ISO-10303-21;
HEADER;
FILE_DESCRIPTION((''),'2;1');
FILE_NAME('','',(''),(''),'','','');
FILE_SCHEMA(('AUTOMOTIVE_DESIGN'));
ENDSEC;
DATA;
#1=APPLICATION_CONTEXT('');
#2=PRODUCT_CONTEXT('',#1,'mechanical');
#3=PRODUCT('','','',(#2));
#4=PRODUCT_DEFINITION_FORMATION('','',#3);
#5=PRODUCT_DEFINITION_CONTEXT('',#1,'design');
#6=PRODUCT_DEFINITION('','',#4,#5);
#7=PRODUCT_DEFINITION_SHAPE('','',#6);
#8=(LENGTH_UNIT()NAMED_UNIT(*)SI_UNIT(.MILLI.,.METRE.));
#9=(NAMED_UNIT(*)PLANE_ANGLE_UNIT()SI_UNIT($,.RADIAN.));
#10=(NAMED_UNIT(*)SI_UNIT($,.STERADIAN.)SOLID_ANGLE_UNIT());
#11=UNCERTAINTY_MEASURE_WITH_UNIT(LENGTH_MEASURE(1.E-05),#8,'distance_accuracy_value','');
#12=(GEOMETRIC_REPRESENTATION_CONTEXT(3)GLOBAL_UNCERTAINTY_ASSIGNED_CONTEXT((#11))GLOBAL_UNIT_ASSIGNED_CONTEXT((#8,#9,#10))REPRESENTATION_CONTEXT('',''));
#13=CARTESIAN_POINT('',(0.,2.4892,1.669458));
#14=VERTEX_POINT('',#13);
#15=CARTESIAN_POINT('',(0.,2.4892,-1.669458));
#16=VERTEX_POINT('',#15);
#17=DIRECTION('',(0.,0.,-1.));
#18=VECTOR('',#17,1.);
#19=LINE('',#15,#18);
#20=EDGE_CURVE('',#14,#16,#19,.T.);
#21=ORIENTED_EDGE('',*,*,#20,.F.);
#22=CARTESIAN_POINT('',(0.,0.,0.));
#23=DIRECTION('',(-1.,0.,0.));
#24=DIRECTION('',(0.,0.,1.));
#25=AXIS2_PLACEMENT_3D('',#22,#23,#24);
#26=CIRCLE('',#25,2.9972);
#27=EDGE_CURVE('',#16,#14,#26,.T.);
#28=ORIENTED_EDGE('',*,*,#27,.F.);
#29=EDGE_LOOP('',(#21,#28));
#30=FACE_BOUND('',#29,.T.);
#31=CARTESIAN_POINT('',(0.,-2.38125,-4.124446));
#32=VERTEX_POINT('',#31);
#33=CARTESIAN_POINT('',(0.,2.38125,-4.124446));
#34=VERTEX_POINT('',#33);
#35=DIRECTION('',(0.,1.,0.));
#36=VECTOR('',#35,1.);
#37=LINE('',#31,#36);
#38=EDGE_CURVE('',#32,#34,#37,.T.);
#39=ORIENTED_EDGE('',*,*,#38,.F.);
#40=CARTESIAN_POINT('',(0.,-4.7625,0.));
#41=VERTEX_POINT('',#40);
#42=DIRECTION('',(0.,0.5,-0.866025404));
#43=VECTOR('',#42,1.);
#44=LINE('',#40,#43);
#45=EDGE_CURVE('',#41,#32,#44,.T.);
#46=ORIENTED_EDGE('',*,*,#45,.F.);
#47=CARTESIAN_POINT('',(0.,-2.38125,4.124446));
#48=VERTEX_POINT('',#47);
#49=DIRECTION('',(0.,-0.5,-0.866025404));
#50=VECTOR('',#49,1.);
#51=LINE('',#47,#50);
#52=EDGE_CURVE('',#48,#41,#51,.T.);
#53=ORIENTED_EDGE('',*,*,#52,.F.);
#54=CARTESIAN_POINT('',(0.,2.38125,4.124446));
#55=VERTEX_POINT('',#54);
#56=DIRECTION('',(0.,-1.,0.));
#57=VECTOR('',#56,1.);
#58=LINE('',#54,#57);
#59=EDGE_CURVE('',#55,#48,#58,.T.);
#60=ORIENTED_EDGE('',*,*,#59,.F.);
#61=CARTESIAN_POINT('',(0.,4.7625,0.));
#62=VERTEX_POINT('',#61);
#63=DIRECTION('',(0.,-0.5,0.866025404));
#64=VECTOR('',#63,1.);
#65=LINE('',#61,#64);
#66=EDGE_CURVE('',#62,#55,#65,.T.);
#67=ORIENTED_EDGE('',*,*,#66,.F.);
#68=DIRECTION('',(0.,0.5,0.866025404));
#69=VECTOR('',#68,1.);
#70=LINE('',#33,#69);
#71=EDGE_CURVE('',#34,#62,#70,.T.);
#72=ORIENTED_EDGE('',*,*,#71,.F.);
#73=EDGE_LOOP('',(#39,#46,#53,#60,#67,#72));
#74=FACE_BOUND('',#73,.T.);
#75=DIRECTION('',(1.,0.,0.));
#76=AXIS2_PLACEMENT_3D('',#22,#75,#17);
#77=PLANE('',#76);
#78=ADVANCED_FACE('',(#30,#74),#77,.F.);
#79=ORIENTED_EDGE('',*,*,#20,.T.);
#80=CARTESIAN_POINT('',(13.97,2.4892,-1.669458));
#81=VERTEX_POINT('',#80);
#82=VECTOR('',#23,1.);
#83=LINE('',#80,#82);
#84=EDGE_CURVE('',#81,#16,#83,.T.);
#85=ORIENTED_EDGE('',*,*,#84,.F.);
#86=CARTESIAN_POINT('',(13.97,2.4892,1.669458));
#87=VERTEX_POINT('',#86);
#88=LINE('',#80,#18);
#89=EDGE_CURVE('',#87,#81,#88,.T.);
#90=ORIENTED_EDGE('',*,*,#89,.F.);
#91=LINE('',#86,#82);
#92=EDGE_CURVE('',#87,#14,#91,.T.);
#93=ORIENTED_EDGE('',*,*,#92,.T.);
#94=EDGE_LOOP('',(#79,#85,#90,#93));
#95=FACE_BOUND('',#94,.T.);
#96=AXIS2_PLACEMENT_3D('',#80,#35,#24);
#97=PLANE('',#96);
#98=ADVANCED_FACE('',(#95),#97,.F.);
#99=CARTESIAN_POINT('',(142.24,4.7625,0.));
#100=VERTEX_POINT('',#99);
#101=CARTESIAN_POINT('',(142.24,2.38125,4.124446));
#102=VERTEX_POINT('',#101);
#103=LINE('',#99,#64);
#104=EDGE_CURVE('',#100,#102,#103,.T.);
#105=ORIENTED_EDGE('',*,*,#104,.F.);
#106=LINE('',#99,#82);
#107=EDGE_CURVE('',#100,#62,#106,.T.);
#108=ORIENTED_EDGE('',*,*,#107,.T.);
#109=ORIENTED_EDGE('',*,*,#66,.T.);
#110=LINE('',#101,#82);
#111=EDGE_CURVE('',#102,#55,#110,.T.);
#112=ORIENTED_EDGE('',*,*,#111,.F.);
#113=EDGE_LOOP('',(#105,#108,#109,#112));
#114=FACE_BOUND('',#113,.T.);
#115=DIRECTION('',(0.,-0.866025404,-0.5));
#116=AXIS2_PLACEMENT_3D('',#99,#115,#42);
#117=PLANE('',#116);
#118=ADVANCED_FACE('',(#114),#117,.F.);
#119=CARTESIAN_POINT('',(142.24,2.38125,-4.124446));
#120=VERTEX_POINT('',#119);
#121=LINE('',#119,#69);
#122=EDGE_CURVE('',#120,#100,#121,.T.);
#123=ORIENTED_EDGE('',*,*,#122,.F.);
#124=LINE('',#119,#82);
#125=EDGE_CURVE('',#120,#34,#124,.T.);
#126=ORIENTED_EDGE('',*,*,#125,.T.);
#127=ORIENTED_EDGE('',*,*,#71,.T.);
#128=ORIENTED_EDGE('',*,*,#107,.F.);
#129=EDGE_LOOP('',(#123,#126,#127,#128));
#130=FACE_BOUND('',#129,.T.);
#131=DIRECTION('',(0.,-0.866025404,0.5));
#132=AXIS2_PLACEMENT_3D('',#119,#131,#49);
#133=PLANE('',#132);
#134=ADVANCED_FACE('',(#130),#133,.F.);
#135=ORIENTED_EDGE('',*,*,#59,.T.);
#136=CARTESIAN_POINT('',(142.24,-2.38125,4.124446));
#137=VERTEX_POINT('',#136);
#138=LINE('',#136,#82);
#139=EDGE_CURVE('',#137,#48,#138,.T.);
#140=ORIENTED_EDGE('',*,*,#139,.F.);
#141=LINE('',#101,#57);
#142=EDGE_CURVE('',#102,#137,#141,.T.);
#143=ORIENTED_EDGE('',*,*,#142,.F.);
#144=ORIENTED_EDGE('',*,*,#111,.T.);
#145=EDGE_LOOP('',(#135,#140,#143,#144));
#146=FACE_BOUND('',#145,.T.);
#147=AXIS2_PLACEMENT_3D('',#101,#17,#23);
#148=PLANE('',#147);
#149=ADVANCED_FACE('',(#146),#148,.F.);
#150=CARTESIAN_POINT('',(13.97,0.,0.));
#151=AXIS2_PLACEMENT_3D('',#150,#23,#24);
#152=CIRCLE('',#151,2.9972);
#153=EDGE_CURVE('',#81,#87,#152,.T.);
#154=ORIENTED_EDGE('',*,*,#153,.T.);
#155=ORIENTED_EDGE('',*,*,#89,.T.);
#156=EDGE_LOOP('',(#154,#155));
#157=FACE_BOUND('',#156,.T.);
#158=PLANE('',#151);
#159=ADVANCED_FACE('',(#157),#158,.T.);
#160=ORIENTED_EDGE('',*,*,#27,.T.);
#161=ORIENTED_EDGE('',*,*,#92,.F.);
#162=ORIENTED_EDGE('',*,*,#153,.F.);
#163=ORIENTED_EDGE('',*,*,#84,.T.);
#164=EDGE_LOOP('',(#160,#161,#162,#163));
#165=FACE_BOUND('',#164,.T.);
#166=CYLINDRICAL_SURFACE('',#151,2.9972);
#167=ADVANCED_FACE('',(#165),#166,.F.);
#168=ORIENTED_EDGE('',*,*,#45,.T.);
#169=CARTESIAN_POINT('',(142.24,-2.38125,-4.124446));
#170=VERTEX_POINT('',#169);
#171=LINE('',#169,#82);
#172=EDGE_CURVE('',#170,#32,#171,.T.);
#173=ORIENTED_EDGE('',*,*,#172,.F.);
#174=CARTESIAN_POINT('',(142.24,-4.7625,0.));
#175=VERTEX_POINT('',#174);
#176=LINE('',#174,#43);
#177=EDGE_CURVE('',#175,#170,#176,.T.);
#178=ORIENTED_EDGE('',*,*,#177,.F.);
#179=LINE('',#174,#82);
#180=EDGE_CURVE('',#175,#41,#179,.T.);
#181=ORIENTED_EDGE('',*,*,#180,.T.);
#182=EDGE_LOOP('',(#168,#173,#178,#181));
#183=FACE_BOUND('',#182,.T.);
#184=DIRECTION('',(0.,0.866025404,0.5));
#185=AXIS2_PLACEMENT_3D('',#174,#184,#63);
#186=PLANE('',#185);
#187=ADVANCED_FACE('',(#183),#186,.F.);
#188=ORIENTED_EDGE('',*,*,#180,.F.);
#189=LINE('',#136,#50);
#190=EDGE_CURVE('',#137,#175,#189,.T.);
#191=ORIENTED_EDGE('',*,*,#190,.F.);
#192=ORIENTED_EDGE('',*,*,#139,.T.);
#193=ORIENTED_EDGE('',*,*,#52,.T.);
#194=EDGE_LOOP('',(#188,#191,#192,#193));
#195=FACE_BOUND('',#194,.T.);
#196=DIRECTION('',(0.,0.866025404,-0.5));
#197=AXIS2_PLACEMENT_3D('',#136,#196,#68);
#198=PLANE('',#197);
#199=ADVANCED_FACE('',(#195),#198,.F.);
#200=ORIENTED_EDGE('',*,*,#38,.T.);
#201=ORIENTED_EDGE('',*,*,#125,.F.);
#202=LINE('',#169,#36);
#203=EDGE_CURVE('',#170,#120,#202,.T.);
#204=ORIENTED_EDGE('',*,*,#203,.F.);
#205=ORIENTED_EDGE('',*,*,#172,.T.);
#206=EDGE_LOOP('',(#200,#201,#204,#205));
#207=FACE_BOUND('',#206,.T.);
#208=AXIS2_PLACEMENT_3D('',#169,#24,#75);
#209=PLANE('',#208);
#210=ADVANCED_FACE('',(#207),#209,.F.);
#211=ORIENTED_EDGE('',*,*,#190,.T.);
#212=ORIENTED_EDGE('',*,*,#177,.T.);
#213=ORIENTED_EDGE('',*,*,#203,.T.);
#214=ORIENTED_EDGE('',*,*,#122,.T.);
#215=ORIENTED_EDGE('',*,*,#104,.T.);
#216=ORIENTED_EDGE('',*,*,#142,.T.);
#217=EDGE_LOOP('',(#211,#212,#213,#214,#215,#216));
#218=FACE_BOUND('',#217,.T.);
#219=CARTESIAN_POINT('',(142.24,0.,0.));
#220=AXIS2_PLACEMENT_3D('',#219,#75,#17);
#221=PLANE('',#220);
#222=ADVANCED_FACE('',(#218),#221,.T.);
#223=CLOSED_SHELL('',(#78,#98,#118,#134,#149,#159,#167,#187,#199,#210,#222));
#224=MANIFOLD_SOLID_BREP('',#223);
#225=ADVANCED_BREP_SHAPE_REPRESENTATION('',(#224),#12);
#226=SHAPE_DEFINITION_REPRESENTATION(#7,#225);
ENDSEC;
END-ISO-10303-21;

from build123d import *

# Parameters (mm, degrees)
AXLE_DEPTH       = 142.24
DRIVE_SLOT_DEPTH = 13.97


with BuildPart() as part:
    # Hex Profile → Axle (new body)
    with BuildSketch(Plane(origin=(0, 0, 0), x_dir=(0, 0, -1), z_dir=(1, 0, 0))):
        Polygon((4.124445986, -2.38125), (4.124445986, 2.38125), (0, 4.7625), (-4.124445986, 2.38125), (-4.124445986, -2.38125), (0, -4.7625), align=None)
    extrude(amount=AXLE_DEPTH)

    # Motor Shaft Profile → Drive  Slot (cut)
    with BuildSketch(Plane.ZY):
        with BuildLine():
            Line((-1.669458355, 2.4892), (1.669458355, 2.4892))
            ThreePointArc((1.669458355, 2.4892), (0, -2.9972), (-1.669458355, 2.4892))
        make_face()
    extrude(amount=-DRIVE_SLOT_DEPTH, mode=Mode.SUBTRACT)


solid = part.part
